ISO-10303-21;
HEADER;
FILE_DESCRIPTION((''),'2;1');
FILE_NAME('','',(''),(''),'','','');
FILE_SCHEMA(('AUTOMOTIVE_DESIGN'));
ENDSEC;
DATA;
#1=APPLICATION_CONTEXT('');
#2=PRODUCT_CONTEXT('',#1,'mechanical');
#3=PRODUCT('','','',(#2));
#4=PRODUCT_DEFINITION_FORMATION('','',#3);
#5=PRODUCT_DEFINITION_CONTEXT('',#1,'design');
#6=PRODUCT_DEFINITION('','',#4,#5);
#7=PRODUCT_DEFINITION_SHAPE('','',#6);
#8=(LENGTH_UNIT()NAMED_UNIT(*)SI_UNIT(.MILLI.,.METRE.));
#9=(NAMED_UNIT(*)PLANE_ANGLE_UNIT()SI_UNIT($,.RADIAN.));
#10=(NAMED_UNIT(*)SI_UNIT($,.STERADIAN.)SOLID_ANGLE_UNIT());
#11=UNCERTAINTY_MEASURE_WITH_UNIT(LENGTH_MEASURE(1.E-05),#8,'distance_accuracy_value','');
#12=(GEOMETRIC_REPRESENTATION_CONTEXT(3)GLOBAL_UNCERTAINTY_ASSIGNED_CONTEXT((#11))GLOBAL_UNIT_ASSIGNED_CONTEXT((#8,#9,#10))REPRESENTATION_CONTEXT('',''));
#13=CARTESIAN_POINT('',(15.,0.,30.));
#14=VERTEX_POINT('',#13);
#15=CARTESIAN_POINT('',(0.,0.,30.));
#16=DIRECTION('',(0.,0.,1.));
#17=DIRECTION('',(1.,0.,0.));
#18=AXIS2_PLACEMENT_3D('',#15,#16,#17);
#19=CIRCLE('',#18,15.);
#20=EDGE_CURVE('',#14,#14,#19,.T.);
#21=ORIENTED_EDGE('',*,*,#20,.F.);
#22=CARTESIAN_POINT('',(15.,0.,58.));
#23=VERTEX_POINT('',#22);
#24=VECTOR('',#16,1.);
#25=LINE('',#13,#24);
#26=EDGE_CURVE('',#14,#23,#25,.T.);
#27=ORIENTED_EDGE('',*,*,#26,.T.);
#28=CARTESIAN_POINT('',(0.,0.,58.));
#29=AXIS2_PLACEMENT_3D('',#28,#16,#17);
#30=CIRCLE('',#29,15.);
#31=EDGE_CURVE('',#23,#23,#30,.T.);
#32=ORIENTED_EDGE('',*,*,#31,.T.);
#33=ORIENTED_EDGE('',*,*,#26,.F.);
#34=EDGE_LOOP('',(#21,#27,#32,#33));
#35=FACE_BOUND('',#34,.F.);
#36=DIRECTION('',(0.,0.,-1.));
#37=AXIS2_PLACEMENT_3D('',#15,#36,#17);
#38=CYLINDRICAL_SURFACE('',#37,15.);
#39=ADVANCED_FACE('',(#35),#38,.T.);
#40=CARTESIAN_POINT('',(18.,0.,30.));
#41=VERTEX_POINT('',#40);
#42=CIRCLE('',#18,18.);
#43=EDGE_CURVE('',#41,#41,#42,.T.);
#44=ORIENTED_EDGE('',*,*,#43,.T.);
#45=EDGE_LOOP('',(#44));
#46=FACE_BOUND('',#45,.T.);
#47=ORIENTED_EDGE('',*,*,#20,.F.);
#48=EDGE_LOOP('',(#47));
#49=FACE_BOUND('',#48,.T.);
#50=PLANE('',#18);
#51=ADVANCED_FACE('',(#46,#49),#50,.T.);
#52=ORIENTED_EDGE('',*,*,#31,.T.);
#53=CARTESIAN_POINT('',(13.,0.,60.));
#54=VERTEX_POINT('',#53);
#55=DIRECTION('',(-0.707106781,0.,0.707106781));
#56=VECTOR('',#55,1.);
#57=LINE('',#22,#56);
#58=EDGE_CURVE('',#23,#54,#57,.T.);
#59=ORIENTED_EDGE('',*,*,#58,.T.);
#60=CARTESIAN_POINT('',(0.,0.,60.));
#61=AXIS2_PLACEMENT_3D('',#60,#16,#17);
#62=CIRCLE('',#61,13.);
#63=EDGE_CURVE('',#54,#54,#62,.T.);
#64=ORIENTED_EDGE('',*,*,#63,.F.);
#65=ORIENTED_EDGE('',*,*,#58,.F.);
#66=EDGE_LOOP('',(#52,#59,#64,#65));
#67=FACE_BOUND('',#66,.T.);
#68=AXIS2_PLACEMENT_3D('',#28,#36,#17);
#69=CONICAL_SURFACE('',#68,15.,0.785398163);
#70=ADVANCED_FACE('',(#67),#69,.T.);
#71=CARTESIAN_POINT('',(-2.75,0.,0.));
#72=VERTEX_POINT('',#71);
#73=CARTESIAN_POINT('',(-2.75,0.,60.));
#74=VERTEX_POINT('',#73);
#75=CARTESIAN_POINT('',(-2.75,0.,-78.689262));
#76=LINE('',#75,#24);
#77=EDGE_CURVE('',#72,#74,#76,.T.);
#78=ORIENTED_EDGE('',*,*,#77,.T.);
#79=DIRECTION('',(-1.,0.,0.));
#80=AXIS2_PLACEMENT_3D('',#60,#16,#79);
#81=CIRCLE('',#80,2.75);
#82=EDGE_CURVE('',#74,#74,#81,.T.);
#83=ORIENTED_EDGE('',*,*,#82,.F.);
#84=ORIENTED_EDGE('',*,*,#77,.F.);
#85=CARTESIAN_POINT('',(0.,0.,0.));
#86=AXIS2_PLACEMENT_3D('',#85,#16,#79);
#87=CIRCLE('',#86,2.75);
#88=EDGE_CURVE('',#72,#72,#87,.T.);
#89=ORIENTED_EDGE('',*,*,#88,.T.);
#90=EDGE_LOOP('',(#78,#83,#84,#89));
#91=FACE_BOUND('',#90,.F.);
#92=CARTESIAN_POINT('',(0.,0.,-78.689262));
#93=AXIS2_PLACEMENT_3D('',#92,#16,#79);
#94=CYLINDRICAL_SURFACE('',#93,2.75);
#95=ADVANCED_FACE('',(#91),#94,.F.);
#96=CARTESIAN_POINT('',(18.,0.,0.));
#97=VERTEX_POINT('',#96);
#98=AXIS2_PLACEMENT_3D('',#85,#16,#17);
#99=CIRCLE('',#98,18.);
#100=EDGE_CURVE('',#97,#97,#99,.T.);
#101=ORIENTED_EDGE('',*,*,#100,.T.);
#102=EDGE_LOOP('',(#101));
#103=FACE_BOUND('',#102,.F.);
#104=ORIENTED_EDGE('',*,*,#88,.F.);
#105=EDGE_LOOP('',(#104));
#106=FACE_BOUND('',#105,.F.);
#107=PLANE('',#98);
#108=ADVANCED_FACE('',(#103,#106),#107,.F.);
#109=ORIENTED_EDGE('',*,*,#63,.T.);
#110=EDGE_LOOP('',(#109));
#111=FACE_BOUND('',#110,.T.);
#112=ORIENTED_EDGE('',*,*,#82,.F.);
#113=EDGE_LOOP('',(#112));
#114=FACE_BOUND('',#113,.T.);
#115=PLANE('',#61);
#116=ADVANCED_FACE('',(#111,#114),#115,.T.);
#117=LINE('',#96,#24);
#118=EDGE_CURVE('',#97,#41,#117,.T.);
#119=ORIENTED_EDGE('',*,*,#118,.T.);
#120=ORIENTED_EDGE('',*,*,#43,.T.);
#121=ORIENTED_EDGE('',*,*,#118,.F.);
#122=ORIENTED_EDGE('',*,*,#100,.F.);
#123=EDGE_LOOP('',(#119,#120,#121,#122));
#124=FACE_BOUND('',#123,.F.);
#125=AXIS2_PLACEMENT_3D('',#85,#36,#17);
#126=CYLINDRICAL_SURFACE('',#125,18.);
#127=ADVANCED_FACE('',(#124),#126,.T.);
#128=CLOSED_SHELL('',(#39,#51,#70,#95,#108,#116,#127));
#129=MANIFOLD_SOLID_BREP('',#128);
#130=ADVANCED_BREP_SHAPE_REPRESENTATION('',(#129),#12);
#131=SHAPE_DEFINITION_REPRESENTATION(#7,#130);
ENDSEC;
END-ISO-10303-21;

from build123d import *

# Parameters (mm, degrees)
F0_R     = 18
F1_DEPTH = 30
F2_R     = 15
F3_DEPTH = 30
F5_D     = 5.5
F6_SIZE  = 2


with BuildPart() as f1:
    # F0 (on Top) → F1 (new body)
    with BuildSketch(Plane.XY):
        Circle(F0_R)
    extrude(amount=F1_DEPTH)

    # F2 (on face) → F3 (join)
    with BuildSketch(Plane.XY.offset(30)):
        Circle(F2_R)
    extrude(amount=F3_DEPTH)

    # F5 (through all)
    with Locations(Plane(origin=(0, 0, 0), x_dir=(1, 0, 0), z_dir=(0, 0, -1))):
        with Locations((0, 0)):
            Hole(F5_D / 2)

    # F6
    f6_edges = [f1.edges().sort_by_distance(p)[0] for p in [
        (-15, 0, 60),
    ]]
    chamfer(f6_edges, length=F6_SIZE)


solid = f1.part
